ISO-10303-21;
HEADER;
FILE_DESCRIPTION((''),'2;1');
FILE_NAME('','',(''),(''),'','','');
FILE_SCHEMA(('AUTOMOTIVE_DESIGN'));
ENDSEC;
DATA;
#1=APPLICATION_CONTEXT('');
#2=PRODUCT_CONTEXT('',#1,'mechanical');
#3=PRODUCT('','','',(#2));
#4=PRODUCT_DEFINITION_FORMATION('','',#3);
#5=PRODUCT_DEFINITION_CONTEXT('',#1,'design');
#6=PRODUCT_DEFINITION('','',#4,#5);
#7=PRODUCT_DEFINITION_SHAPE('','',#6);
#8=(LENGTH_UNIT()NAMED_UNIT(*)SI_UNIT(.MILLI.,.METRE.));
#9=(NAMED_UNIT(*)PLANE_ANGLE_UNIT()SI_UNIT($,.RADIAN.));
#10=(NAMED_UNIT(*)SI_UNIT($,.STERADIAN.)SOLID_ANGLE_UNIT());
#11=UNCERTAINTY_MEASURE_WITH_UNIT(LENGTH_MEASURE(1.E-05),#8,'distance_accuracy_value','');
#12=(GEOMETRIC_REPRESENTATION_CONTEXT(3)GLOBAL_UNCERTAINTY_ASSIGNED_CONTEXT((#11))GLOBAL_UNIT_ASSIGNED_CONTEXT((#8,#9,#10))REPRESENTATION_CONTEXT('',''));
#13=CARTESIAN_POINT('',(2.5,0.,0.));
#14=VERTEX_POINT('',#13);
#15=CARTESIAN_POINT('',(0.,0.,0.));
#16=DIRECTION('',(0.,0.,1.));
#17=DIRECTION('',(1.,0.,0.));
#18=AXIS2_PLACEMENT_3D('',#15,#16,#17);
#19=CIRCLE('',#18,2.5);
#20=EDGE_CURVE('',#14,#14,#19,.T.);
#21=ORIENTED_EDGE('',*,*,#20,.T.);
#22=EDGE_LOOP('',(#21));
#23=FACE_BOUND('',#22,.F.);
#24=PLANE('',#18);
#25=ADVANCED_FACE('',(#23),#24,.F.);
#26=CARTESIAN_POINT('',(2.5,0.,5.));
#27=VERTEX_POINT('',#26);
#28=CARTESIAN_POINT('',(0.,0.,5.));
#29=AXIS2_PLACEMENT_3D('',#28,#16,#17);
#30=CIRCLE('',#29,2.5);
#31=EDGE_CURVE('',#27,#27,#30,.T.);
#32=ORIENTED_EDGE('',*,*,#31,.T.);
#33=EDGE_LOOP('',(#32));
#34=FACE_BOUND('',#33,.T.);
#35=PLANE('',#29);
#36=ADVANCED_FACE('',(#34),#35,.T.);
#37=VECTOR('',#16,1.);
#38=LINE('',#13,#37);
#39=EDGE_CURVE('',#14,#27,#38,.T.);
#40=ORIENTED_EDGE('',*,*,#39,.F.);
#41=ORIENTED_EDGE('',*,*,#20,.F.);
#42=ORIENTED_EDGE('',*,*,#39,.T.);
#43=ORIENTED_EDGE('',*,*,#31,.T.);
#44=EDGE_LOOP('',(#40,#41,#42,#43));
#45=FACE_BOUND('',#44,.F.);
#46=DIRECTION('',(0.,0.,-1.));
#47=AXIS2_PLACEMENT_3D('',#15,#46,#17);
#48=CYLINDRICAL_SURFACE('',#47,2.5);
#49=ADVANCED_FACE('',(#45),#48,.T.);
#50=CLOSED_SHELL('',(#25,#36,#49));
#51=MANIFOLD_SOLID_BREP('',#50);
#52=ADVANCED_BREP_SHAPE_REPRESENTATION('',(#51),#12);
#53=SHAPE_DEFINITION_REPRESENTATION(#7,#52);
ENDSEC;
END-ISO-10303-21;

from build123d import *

# Parameters (mm, degrees)
SKETCH_R  = 2.5
PAD_DEPTH = 5


with BuildPart() as part:
    # Sketch → Pad (new body)
    with BuildSketch(Plane.XY):
        Circle(SKETCH_R)
    extrude(amount=PAD_DEPTH)


solid = part.part
